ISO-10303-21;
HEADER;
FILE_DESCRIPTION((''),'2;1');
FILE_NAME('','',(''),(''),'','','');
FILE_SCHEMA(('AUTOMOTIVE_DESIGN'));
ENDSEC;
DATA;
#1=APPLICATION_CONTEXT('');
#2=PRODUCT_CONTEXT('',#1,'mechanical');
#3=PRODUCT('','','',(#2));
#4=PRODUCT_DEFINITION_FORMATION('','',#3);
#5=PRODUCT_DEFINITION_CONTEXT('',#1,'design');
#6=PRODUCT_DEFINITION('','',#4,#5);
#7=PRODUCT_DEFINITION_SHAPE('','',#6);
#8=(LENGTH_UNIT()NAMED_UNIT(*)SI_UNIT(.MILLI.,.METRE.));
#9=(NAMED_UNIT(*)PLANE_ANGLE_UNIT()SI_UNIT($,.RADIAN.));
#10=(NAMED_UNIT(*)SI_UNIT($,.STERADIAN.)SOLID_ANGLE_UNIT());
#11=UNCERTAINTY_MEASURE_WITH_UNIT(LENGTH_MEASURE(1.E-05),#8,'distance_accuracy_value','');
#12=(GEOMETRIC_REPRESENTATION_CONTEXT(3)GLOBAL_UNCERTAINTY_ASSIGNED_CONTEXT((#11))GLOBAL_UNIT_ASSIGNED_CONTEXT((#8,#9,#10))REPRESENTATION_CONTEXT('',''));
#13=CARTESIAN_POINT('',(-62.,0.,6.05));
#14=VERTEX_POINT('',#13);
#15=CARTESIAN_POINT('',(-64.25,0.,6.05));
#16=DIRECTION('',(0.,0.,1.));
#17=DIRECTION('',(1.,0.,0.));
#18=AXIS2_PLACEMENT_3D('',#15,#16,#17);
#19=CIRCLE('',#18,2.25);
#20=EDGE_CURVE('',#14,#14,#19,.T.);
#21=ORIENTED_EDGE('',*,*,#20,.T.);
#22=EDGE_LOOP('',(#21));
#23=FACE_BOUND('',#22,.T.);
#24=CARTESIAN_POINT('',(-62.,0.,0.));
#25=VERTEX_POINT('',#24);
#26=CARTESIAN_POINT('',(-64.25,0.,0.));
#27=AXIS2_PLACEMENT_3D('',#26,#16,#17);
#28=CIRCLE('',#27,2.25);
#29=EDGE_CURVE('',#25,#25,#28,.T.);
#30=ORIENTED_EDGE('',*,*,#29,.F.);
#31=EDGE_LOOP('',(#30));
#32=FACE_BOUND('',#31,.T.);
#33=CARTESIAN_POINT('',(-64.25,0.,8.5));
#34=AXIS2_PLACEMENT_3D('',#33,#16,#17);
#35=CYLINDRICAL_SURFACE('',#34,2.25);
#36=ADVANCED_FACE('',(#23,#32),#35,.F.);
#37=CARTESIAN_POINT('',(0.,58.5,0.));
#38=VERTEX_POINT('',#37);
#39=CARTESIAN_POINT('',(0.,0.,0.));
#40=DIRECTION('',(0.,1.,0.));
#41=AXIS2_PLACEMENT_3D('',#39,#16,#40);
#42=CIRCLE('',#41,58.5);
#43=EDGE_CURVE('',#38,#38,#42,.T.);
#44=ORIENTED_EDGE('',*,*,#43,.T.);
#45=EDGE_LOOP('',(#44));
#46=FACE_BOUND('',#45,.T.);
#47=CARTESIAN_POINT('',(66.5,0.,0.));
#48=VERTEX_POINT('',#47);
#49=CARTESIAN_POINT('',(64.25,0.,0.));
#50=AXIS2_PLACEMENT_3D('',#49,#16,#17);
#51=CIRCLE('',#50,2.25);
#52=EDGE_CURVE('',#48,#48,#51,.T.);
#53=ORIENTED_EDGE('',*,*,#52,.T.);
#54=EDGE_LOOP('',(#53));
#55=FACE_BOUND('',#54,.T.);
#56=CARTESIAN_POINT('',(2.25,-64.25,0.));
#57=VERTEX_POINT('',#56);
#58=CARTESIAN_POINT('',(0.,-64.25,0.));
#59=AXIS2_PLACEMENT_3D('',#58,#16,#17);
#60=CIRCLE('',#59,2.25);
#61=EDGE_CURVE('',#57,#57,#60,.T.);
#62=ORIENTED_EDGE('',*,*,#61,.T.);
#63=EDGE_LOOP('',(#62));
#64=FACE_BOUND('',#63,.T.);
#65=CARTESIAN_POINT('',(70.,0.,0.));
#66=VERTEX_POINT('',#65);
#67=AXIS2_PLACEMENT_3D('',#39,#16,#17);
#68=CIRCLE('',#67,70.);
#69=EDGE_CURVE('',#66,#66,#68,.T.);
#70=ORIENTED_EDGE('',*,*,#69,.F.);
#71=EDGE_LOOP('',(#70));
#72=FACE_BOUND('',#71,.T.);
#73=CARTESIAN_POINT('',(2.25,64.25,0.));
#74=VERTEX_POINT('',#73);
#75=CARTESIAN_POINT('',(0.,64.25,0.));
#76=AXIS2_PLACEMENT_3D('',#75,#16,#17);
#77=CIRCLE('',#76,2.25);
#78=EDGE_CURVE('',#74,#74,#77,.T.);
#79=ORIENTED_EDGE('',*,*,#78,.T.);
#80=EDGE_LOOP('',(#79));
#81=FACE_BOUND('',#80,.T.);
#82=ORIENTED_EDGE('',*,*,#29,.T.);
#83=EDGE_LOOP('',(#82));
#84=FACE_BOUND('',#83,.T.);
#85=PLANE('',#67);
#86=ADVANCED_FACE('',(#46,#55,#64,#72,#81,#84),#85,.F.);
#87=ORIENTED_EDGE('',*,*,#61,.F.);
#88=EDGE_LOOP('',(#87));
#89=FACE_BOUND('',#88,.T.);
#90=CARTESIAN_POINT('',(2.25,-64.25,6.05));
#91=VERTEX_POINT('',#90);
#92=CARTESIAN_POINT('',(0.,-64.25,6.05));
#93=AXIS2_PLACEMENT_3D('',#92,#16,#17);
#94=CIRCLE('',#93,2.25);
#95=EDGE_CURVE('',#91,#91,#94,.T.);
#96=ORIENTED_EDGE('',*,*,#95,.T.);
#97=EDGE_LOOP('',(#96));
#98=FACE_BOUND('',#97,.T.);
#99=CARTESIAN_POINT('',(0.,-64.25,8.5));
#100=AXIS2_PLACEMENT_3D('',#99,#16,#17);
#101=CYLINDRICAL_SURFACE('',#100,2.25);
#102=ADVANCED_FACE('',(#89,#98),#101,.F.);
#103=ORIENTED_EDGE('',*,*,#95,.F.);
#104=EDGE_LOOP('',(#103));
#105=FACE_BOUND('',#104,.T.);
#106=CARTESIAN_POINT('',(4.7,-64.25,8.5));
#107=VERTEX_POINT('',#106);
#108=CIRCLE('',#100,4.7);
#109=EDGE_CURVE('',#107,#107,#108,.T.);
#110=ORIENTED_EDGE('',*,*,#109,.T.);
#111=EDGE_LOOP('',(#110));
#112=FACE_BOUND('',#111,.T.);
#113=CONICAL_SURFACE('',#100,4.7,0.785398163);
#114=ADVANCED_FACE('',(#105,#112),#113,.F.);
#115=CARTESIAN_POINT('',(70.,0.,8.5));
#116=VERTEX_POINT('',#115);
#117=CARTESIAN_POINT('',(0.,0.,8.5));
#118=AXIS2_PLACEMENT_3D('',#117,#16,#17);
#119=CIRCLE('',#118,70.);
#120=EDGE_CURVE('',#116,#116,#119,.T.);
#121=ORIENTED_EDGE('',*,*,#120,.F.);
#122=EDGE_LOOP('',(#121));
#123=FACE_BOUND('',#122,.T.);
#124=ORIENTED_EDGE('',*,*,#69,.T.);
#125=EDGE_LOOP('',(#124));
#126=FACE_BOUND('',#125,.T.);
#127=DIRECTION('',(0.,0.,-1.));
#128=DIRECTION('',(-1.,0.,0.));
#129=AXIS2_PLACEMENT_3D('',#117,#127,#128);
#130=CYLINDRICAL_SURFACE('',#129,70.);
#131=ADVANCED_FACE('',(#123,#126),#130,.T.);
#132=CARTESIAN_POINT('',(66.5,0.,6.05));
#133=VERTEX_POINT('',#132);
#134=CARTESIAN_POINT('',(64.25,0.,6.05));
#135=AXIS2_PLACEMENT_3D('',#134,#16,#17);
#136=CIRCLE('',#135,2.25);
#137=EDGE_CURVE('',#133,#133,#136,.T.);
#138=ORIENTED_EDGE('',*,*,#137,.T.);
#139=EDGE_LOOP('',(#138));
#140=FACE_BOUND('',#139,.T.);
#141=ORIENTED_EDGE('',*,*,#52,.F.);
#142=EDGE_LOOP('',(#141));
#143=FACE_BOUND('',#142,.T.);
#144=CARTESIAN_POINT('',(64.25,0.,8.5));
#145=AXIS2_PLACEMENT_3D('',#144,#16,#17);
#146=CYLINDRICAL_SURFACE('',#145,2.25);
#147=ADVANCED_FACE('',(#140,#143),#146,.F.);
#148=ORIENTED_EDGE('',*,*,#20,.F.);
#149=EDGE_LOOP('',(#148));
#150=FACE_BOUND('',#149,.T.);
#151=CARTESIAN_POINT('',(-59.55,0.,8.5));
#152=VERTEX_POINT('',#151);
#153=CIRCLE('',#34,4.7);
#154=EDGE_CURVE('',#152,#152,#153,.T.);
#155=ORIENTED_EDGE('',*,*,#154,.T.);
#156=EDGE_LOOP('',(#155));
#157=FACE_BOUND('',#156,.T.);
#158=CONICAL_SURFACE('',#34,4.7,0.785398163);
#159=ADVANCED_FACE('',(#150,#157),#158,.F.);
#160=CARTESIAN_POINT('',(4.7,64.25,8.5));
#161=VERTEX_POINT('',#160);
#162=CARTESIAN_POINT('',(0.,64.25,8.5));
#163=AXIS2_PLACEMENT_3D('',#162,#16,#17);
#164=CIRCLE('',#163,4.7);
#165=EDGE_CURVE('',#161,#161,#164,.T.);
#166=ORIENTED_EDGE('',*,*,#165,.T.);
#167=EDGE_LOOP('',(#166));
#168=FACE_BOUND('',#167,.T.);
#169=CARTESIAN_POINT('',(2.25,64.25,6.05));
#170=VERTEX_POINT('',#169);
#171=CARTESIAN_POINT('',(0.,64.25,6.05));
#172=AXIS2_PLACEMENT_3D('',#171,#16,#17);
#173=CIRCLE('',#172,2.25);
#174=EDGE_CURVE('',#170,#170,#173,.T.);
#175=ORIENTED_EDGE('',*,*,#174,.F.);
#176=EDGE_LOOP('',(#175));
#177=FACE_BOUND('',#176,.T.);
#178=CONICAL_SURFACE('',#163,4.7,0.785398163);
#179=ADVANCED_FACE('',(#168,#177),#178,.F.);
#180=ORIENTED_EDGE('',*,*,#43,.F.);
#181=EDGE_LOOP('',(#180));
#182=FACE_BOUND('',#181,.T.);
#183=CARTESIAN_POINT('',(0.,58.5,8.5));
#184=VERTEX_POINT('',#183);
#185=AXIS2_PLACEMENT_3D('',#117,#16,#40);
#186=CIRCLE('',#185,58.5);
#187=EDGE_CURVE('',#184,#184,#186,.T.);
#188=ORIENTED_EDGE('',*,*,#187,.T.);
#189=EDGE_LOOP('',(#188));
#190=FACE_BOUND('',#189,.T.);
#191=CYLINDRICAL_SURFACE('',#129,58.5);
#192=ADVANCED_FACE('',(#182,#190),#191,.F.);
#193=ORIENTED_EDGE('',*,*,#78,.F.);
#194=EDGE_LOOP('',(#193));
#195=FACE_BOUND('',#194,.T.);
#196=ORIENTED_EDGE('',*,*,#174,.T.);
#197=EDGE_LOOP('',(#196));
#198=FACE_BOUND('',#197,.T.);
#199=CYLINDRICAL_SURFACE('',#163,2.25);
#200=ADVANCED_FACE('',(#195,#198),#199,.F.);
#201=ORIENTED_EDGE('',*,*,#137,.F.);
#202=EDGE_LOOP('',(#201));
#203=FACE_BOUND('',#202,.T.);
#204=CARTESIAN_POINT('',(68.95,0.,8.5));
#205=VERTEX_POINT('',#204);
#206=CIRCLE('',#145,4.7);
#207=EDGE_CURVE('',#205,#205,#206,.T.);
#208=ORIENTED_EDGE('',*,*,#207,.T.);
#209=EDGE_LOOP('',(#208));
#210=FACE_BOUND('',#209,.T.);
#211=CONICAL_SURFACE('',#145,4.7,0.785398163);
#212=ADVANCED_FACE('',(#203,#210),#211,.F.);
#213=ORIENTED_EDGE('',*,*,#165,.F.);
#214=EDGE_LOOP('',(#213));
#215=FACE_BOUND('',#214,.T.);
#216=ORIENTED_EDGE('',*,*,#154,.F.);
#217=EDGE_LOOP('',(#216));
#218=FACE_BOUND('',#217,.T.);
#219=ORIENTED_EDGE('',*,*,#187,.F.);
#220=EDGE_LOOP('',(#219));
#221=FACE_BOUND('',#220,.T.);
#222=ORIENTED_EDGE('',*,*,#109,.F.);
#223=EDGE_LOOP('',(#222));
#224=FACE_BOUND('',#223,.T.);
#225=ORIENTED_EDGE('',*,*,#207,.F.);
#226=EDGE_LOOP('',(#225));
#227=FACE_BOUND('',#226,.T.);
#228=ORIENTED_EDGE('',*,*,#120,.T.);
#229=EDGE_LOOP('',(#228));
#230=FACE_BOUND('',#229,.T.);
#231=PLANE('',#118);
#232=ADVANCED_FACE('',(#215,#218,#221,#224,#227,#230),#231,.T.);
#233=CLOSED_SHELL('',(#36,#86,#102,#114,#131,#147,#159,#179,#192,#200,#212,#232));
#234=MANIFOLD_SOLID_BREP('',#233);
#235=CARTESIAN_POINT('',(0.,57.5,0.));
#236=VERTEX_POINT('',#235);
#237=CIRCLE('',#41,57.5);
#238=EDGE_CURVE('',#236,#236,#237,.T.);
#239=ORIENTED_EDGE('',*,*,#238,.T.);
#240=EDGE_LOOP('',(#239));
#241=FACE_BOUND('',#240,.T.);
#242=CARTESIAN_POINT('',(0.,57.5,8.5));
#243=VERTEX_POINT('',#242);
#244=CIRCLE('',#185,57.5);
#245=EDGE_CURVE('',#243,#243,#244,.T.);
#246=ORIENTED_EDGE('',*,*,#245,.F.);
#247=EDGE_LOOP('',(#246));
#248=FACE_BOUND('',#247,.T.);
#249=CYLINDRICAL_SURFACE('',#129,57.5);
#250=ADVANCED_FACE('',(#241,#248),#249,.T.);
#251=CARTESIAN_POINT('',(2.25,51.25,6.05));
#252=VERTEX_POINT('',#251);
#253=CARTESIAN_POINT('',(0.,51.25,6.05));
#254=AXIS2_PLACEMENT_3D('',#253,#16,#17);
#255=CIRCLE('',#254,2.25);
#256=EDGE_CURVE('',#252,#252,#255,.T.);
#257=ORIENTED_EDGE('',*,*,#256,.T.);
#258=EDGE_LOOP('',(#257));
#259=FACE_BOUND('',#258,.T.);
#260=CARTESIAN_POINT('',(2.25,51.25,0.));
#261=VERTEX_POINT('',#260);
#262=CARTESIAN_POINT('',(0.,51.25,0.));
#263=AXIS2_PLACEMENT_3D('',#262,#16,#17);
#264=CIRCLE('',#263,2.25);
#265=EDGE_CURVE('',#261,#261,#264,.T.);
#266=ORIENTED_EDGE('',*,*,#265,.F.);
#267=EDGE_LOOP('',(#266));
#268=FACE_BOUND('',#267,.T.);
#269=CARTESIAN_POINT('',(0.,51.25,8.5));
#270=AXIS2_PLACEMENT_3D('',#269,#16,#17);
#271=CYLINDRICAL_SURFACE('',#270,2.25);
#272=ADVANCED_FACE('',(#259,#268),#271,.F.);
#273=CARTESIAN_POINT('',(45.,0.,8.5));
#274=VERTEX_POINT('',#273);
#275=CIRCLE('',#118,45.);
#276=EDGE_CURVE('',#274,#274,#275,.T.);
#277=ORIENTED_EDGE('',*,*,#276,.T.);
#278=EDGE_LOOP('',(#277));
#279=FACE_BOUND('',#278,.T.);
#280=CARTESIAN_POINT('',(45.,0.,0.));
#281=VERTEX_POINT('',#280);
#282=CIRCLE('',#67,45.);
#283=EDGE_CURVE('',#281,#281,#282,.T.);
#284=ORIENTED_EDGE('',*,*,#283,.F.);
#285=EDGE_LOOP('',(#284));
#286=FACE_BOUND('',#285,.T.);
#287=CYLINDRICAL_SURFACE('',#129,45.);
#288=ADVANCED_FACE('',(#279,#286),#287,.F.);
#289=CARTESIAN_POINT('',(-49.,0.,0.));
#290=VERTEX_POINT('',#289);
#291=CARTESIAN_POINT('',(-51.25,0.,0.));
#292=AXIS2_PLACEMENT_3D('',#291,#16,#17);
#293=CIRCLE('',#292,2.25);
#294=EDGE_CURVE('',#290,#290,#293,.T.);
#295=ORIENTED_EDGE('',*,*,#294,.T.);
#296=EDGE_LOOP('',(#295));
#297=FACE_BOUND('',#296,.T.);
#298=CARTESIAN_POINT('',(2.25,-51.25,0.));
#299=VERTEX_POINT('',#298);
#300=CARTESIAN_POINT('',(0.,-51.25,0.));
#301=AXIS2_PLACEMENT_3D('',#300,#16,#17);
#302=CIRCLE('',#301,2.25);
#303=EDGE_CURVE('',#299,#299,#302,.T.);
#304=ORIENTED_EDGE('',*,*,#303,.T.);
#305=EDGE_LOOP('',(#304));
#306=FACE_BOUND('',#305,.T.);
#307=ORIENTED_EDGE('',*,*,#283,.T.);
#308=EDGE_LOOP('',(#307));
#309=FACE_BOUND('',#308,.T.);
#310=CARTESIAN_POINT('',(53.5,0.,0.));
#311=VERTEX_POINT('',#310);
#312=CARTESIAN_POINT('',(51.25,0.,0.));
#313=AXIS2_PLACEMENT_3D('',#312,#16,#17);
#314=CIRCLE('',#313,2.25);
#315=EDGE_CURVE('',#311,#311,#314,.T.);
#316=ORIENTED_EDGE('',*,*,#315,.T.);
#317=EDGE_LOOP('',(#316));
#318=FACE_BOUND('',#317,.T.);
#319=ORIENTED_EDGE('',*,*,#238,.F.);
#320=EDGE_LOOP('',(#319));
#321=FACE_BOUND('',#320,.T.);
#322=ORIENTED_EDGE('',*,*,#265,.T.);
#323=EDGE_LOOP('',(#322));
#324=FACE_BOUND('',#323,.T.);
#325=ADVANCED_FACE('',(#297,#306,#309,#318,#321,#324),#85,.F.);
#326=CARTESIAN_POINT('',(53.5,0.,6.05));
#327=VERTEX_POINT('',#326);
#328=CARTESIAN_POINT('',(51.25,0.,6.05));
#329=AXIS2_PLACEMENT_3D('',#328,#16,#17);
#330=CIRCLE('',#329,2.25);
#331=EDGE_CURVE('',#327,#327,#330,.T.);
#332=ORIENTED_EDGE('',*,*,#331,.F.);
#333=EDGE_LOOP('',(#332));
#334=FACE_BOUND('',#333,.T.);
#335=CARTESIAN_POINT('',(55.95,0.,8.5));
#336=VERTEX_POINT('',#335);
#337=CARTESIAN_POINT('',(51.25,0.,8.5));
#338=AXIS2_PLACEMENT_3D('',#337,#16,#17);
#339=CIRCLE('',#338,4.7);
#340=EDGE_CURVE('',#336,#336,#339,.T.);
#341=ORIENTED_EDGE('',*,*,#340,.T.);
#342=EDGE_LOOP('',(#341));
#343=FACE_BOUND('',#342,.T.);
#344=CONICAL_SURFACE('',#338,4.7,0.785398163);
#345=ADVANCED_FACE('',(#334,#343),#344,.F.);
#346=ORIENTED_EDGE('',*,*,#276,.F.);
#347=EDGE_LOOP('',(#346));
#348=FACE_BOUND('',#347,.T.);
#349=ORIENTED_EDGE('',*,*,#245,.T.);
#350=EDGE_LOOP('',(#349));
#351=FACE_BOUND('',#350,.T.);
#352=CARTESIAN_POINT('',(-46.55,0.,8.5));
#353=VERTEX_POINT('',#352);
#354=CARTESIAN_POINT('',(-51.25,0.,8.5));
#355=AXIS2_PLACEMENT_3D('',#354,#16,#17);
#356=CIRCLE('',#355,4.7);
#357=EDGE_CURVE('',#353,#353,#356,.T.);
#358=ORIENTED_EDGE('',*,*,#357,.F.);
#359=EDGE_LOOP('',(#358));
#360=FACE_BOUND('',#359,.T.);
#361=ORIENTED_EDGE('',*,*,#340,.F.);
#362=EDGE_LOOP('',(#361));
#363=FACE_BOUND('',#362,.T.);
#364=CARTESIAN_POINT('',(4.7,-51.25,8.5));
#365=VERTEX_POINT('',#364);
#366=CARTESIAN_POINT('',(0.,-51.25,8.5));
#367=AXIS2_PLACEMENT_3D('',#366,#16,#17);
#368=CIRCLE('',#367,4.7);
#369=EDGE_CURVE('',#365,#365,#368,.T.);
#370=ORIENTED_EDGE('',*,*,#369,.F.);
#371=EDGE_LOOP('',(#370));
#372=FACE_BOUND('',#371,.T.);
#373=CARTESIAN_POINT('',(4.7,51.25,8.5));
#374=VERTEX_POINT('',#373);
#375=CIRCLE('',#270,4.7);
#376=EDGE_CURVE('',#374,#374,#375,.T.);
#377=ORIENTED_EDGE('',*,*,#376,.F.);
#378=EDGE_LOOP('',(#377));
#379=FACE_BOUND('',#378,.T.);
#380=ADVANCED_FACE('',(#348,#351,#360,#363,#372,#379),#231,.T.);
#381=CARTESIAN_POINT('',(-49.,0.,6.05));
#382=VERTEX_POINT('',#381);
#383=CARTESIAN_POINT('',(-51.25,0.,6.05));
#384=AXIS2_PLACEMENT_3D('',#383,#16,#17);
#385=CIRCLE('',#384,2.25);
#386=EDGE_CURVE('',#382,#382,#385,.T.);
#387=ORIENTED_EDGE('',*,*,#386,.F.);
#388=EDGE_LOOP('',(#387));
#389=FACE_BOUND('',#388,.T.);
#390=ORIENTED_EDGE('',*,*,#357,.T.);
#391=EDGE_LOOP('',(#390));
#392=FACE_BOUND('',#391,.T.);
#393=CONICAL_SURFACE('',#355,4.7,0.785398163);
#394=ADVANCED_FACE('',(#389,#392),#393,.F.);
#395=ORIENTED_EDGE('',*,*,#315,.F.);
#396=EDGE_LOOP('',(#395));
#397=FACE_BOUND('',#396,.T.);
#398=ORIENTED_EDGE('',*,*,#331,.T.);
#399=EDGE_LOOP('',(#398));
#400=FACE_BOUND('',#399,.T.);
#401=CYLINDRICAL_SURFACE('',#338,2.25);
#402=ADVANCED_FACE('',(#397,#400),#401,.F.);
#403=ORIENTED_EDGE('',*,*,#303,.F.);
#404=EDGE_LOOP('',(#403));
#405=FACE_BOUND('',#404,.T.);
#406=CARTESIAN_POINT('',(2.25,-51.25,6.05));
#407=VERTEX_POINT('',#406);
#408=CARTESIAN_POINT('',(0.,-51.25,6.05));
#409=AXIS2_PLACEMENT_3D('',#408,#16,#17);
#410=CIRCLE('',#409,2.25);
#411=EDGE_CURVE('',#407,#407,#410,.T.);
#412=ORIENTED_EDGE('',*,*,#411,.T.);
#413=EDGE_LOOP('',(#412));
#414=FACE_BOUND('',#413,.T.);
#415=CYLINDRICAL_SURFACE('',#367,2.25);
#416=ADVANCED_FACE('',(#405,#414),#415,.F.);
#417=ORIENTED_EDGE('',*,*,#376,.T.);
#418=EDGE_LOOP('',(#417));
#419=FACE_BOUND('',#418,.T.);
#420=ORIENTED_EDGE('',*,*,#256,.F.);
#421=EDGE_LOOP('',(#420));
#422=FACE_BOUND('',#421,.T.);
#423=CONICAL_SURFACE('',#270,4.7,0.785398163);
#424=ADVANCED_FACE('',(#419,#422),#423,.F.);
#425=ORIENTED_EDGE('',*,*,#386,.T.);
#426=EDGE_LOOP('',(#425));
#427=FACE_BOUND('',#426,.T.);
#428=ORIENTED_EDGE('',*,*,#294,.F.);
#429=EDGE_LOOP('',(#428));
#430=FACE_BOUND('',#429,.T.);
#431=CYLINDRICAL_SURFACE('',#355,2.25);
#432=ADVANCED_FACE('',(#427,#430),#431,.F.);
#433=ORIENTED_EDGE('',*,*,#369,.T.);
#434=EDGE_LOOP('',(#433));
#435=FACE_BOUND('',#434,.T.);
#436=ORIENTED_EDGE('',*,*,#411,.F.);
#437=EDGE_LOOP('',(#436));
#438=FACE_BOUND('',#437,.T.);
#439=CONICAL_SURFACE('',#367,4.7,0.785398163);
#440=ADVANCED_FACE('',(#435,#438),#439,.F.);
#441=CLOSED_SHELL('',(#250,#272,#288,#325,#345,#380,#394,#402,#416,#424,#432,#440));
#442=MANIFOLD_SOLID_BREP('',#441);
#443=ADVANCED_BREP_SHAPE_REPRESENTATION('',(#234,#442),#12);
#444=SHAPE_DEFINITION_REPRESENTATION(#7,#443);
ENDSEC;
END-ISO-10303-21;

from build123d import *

# Parameters (mm, degrees)
SKETCH2_R                                    = 70
SKETCH2_R_2                                  = 45
BOSS_EXTRUDE1_DEPTH                          = 8.5
SKETCH2_3_R                                  = 58.5
SKETCH2_3_R_2                                = 57.5
CUT_EXTRUDE_THIN2_DEPTH                      = 100.359196857
CSK_FOR_M4_COUNTERSUNK_FLAT_HEAD_SCR_2_COUNT = 2
CSK_FOR_M4_COUNTERSUNK_FLAT_HEAD_SCR_2_PITCH = 90.863221382
CSK_FOR_M4_COUNTERSUNK_FLAT_HEAD_SCR_3_COUNT = 2
CSK_FOR_M4_COUNTERSUNK_FLAT_HEAD_SCR_3_PITCH = 128.5
CSK_FOR_M4_COUNTERSUNK_FLAT_HEAD_SCR_4_COUNT = 2
CSK_FOR_M4_COUNTERSUNK_FLAT_HEAD_SCR_4_PITCH = 90.863221382
CSK_FOR_M4_COUNTERSUNK_FLAT_HEAD_SCR_5_COUNT = 2
CSK_FOR_M4_COUNTERSUNK_FLAT_HEAD_SCR_5_PITCH = 13
CSK_FOR_M4_COUNTERSUNK_FLAT_HEAD_SCR_6_COUNT = 2
CSK_FOR_M4_COUNTERSUNK_FLAT_HEAD_SCR_6_PITCH = 82.18652566
CSK_FOR_M4_COUNTERSUNK_FLAT_HEAD_SCR_7_COUNT = 2
CSK_FOR_M4_COUNTERSUNK_FLAT_HEAD_SCR_7_PITCH = 115.5
CSK_FOR_M4_COUNTERSUNK_FLAT_HEAD_SCR_8_COUNT = 2
CSK_FOR_M4_COUNTERSUNK_FLAT_HEAD_SCR_8_PITCH = 82.18652566


with BuildPart() as part:
    # Sketch2 → Boss-Extrude1 (new body)
    with BuildSketch(Plane(origin=(0, 0, 0), x_dir=(0, 1, 0), z_dir=(0, 0, 1))):
        Circle(SKETCH2_R)
        Circle(SKETCH2_R_2, mode=Mode.SUBTRACT)
    extrude(amount=BOSS_EXTRUDE1_DEPTH)

    # Sketch2<3> → Cut-Extrude-Thin2 (cut, through all)
    with BuildSketch(Plane(origin=(0, 0, 0), x_dir=(0, 1, 0), z_dir=(0, 0, 1))):
        Circle(SKETCH2_3_R)
        Circle(SKETCH2_3_R_2, mode=Mode.SUBTRACT)
    extrude(amount=CUT_EXTRUDE_THIN2_DEPTH, mode=Mode.SUBTRACT)


with BuildPart() as cut_extrude_thin2_piece_1:
    # of the separate pieces the step leaves, piece 1, a body of its own (cut_extrude_thin2_pieces)
    add(part.part.solids().sort_by_distance((0, 70, 0))[0])

    # Sketch4 → CSK for M4 Countersunk Flat Head Screw1 (revolve, cut)
    with BuildSketch(Plane(origin=(64.25, 0, 8.5), x_dir=(0, -1, 0), z_dir=(1, 0, 0))):
        Polygon((0, 0), (0, 8.5), (2.25, 8.5), (2.25, 2.45), (4.7, 0), align=None)
    csk_for_m4_countersunk_flat_head_screw1 = revolve(axis=Axis((64.25, 0, 14.85), (0, 0, -1)), mode=Mode.SUBTRACT)

    # CSK for M4 Countersunk Flat Head Scr 2: CSK for M4 Countersunk Flat Head Screw1 ×2
    with Locations(*[Vector(-0.7071067811865476, -0.7071067811865476, 0) * (i * CSK_FOR_M4_COUNTERSUNK_FLAT_HEAD_SCR_2_PITCH) for i in range(1, CSK_FOR_M4_COUNTERSUNK_FLAT_HEAD_SCR_2_COUNT)]):
        add(csk_for_m4_countersunk_flat_head_screw1, mode=Mode.SUBTRACT)

    # CSK for M4 Countersunk Flat Head Scr 3: CSK for M4 Countersunk Flat Head Screw1 ×2
    with Locations(*[(-i * CSK_FOR_M4_COUNTERSUNK_FLAT_HEAD_SCR_3_PITCH, 0, 0) for i in range(1, CSK_FOR_M4_COUNTERSUNK_FLAT_HEAD_SCR_3_COUNT)]):
        add(csk_for_m4_countersunk_flat_head_screw1, mode=Mode.SUBTRACT)

    # CSK for M4 Countersunk Flat Head Scr 4: CSK for M4 Countersunk Flat Head Screw1 ×2
    with Locations(*[Vector(-0.7071067811865476, 0.7071067811865476, 0) * (i * CSK_FOR_M4_COUNTERSUNK_FLAT_HEAD_SCR_4_PITCH) for i in range(1, CSK_FOR_M4_COUNTERSUNK_FLAT_HEAD_SCR_4_COUNT)]):
        add(csk_for_m4_countersunk_flat_head_screw1, mode=Mode.SUBTRACT)


with BuildPart() as cut_extrude_thin2_piece_2:
    # of the separate pieces the step leaves, piece 2, a body of its own (cut_extrude_thin2_pieces)
    add(part.part.solids().sort_by_distance((0, 57.5, 0))[0])

    # CSK for M4 Countersunk Flat Head Scr 5: CSK for M4 Countersunk Flat Head Screw1 ×2
    with Locations(*[(-i * CSK_FOR_M4_COUNTERSUNK_FLAT_HEAD_SCR_5_PITCH, 0, 0) for i in range(1, CSK_FOR_M4_COUNTERSUNK_FLAT_HEAD_SCR_5_COUNT)]):
        add(csk_for_m4_countersunk_flat_head_screw1, mode=Mode.SUBTRACT)

    # CSK for M4 Countersunk Flat Head Scr 6: CSK for M4 Countersunk Flat Head Screw1 ×2
    with Locations(*[Vector(-0.7817583172464547, -0.6235815371032014, 0) * (i * CSK_FOR_M4_COUNTERSUNK_FLAT_HEAD_SCR_6_PITCH) for i in range(1, CSK_FOR_M4_COUNTERSUNK_FLAT_HEAD_SCR_6_COUNT)]):
        add(csk_for_m4_countersunk_flat_head_screw1, mode=Mode.SUBTRACT)

    # CSK for M4 Countersunk Flat Head Scr 7: CSK for M4 Countersunk Flat Head Screw1 ×2
    with Locations(*[(-i * CSK_FOR_M4_COUNTERSUNK_FLAT_HEAD_SCR_7_PITCH, 0, 0) for i in range(1, CSK_FOR_M4_COUNTERSUNK_FLAT_HEAD_SCR_7_COUNT)]):
        add(csk_for_m4_countersunk_flat_head_screw1, mode=Mode.SUBTRACT)

    # CSK for M4 Countersunk Flat Head Scr 8: CSK for M4 Countersunk Flat Head Screw1 ×2
    with Locations(*[Vector(-0.7817583172464514, 0.6235815371032057, 0) * (i * CSK_FOR_M4_COUNTERSUNK_FLAT_HEAD_SCR_8_PITCH) for i in range(1, CSK_FOR_M4_COUNTERSUNK_FLAT_HEAD_SCR_8_COUNT)]):
        add(csk_for_m4_countersunk_flat_head_screw1, mode=Mode.SUBTRACT)


solid = Compound([cut_extrude_thin2_piece_1.part, cut_extrude_thin2_piece_2.part])
